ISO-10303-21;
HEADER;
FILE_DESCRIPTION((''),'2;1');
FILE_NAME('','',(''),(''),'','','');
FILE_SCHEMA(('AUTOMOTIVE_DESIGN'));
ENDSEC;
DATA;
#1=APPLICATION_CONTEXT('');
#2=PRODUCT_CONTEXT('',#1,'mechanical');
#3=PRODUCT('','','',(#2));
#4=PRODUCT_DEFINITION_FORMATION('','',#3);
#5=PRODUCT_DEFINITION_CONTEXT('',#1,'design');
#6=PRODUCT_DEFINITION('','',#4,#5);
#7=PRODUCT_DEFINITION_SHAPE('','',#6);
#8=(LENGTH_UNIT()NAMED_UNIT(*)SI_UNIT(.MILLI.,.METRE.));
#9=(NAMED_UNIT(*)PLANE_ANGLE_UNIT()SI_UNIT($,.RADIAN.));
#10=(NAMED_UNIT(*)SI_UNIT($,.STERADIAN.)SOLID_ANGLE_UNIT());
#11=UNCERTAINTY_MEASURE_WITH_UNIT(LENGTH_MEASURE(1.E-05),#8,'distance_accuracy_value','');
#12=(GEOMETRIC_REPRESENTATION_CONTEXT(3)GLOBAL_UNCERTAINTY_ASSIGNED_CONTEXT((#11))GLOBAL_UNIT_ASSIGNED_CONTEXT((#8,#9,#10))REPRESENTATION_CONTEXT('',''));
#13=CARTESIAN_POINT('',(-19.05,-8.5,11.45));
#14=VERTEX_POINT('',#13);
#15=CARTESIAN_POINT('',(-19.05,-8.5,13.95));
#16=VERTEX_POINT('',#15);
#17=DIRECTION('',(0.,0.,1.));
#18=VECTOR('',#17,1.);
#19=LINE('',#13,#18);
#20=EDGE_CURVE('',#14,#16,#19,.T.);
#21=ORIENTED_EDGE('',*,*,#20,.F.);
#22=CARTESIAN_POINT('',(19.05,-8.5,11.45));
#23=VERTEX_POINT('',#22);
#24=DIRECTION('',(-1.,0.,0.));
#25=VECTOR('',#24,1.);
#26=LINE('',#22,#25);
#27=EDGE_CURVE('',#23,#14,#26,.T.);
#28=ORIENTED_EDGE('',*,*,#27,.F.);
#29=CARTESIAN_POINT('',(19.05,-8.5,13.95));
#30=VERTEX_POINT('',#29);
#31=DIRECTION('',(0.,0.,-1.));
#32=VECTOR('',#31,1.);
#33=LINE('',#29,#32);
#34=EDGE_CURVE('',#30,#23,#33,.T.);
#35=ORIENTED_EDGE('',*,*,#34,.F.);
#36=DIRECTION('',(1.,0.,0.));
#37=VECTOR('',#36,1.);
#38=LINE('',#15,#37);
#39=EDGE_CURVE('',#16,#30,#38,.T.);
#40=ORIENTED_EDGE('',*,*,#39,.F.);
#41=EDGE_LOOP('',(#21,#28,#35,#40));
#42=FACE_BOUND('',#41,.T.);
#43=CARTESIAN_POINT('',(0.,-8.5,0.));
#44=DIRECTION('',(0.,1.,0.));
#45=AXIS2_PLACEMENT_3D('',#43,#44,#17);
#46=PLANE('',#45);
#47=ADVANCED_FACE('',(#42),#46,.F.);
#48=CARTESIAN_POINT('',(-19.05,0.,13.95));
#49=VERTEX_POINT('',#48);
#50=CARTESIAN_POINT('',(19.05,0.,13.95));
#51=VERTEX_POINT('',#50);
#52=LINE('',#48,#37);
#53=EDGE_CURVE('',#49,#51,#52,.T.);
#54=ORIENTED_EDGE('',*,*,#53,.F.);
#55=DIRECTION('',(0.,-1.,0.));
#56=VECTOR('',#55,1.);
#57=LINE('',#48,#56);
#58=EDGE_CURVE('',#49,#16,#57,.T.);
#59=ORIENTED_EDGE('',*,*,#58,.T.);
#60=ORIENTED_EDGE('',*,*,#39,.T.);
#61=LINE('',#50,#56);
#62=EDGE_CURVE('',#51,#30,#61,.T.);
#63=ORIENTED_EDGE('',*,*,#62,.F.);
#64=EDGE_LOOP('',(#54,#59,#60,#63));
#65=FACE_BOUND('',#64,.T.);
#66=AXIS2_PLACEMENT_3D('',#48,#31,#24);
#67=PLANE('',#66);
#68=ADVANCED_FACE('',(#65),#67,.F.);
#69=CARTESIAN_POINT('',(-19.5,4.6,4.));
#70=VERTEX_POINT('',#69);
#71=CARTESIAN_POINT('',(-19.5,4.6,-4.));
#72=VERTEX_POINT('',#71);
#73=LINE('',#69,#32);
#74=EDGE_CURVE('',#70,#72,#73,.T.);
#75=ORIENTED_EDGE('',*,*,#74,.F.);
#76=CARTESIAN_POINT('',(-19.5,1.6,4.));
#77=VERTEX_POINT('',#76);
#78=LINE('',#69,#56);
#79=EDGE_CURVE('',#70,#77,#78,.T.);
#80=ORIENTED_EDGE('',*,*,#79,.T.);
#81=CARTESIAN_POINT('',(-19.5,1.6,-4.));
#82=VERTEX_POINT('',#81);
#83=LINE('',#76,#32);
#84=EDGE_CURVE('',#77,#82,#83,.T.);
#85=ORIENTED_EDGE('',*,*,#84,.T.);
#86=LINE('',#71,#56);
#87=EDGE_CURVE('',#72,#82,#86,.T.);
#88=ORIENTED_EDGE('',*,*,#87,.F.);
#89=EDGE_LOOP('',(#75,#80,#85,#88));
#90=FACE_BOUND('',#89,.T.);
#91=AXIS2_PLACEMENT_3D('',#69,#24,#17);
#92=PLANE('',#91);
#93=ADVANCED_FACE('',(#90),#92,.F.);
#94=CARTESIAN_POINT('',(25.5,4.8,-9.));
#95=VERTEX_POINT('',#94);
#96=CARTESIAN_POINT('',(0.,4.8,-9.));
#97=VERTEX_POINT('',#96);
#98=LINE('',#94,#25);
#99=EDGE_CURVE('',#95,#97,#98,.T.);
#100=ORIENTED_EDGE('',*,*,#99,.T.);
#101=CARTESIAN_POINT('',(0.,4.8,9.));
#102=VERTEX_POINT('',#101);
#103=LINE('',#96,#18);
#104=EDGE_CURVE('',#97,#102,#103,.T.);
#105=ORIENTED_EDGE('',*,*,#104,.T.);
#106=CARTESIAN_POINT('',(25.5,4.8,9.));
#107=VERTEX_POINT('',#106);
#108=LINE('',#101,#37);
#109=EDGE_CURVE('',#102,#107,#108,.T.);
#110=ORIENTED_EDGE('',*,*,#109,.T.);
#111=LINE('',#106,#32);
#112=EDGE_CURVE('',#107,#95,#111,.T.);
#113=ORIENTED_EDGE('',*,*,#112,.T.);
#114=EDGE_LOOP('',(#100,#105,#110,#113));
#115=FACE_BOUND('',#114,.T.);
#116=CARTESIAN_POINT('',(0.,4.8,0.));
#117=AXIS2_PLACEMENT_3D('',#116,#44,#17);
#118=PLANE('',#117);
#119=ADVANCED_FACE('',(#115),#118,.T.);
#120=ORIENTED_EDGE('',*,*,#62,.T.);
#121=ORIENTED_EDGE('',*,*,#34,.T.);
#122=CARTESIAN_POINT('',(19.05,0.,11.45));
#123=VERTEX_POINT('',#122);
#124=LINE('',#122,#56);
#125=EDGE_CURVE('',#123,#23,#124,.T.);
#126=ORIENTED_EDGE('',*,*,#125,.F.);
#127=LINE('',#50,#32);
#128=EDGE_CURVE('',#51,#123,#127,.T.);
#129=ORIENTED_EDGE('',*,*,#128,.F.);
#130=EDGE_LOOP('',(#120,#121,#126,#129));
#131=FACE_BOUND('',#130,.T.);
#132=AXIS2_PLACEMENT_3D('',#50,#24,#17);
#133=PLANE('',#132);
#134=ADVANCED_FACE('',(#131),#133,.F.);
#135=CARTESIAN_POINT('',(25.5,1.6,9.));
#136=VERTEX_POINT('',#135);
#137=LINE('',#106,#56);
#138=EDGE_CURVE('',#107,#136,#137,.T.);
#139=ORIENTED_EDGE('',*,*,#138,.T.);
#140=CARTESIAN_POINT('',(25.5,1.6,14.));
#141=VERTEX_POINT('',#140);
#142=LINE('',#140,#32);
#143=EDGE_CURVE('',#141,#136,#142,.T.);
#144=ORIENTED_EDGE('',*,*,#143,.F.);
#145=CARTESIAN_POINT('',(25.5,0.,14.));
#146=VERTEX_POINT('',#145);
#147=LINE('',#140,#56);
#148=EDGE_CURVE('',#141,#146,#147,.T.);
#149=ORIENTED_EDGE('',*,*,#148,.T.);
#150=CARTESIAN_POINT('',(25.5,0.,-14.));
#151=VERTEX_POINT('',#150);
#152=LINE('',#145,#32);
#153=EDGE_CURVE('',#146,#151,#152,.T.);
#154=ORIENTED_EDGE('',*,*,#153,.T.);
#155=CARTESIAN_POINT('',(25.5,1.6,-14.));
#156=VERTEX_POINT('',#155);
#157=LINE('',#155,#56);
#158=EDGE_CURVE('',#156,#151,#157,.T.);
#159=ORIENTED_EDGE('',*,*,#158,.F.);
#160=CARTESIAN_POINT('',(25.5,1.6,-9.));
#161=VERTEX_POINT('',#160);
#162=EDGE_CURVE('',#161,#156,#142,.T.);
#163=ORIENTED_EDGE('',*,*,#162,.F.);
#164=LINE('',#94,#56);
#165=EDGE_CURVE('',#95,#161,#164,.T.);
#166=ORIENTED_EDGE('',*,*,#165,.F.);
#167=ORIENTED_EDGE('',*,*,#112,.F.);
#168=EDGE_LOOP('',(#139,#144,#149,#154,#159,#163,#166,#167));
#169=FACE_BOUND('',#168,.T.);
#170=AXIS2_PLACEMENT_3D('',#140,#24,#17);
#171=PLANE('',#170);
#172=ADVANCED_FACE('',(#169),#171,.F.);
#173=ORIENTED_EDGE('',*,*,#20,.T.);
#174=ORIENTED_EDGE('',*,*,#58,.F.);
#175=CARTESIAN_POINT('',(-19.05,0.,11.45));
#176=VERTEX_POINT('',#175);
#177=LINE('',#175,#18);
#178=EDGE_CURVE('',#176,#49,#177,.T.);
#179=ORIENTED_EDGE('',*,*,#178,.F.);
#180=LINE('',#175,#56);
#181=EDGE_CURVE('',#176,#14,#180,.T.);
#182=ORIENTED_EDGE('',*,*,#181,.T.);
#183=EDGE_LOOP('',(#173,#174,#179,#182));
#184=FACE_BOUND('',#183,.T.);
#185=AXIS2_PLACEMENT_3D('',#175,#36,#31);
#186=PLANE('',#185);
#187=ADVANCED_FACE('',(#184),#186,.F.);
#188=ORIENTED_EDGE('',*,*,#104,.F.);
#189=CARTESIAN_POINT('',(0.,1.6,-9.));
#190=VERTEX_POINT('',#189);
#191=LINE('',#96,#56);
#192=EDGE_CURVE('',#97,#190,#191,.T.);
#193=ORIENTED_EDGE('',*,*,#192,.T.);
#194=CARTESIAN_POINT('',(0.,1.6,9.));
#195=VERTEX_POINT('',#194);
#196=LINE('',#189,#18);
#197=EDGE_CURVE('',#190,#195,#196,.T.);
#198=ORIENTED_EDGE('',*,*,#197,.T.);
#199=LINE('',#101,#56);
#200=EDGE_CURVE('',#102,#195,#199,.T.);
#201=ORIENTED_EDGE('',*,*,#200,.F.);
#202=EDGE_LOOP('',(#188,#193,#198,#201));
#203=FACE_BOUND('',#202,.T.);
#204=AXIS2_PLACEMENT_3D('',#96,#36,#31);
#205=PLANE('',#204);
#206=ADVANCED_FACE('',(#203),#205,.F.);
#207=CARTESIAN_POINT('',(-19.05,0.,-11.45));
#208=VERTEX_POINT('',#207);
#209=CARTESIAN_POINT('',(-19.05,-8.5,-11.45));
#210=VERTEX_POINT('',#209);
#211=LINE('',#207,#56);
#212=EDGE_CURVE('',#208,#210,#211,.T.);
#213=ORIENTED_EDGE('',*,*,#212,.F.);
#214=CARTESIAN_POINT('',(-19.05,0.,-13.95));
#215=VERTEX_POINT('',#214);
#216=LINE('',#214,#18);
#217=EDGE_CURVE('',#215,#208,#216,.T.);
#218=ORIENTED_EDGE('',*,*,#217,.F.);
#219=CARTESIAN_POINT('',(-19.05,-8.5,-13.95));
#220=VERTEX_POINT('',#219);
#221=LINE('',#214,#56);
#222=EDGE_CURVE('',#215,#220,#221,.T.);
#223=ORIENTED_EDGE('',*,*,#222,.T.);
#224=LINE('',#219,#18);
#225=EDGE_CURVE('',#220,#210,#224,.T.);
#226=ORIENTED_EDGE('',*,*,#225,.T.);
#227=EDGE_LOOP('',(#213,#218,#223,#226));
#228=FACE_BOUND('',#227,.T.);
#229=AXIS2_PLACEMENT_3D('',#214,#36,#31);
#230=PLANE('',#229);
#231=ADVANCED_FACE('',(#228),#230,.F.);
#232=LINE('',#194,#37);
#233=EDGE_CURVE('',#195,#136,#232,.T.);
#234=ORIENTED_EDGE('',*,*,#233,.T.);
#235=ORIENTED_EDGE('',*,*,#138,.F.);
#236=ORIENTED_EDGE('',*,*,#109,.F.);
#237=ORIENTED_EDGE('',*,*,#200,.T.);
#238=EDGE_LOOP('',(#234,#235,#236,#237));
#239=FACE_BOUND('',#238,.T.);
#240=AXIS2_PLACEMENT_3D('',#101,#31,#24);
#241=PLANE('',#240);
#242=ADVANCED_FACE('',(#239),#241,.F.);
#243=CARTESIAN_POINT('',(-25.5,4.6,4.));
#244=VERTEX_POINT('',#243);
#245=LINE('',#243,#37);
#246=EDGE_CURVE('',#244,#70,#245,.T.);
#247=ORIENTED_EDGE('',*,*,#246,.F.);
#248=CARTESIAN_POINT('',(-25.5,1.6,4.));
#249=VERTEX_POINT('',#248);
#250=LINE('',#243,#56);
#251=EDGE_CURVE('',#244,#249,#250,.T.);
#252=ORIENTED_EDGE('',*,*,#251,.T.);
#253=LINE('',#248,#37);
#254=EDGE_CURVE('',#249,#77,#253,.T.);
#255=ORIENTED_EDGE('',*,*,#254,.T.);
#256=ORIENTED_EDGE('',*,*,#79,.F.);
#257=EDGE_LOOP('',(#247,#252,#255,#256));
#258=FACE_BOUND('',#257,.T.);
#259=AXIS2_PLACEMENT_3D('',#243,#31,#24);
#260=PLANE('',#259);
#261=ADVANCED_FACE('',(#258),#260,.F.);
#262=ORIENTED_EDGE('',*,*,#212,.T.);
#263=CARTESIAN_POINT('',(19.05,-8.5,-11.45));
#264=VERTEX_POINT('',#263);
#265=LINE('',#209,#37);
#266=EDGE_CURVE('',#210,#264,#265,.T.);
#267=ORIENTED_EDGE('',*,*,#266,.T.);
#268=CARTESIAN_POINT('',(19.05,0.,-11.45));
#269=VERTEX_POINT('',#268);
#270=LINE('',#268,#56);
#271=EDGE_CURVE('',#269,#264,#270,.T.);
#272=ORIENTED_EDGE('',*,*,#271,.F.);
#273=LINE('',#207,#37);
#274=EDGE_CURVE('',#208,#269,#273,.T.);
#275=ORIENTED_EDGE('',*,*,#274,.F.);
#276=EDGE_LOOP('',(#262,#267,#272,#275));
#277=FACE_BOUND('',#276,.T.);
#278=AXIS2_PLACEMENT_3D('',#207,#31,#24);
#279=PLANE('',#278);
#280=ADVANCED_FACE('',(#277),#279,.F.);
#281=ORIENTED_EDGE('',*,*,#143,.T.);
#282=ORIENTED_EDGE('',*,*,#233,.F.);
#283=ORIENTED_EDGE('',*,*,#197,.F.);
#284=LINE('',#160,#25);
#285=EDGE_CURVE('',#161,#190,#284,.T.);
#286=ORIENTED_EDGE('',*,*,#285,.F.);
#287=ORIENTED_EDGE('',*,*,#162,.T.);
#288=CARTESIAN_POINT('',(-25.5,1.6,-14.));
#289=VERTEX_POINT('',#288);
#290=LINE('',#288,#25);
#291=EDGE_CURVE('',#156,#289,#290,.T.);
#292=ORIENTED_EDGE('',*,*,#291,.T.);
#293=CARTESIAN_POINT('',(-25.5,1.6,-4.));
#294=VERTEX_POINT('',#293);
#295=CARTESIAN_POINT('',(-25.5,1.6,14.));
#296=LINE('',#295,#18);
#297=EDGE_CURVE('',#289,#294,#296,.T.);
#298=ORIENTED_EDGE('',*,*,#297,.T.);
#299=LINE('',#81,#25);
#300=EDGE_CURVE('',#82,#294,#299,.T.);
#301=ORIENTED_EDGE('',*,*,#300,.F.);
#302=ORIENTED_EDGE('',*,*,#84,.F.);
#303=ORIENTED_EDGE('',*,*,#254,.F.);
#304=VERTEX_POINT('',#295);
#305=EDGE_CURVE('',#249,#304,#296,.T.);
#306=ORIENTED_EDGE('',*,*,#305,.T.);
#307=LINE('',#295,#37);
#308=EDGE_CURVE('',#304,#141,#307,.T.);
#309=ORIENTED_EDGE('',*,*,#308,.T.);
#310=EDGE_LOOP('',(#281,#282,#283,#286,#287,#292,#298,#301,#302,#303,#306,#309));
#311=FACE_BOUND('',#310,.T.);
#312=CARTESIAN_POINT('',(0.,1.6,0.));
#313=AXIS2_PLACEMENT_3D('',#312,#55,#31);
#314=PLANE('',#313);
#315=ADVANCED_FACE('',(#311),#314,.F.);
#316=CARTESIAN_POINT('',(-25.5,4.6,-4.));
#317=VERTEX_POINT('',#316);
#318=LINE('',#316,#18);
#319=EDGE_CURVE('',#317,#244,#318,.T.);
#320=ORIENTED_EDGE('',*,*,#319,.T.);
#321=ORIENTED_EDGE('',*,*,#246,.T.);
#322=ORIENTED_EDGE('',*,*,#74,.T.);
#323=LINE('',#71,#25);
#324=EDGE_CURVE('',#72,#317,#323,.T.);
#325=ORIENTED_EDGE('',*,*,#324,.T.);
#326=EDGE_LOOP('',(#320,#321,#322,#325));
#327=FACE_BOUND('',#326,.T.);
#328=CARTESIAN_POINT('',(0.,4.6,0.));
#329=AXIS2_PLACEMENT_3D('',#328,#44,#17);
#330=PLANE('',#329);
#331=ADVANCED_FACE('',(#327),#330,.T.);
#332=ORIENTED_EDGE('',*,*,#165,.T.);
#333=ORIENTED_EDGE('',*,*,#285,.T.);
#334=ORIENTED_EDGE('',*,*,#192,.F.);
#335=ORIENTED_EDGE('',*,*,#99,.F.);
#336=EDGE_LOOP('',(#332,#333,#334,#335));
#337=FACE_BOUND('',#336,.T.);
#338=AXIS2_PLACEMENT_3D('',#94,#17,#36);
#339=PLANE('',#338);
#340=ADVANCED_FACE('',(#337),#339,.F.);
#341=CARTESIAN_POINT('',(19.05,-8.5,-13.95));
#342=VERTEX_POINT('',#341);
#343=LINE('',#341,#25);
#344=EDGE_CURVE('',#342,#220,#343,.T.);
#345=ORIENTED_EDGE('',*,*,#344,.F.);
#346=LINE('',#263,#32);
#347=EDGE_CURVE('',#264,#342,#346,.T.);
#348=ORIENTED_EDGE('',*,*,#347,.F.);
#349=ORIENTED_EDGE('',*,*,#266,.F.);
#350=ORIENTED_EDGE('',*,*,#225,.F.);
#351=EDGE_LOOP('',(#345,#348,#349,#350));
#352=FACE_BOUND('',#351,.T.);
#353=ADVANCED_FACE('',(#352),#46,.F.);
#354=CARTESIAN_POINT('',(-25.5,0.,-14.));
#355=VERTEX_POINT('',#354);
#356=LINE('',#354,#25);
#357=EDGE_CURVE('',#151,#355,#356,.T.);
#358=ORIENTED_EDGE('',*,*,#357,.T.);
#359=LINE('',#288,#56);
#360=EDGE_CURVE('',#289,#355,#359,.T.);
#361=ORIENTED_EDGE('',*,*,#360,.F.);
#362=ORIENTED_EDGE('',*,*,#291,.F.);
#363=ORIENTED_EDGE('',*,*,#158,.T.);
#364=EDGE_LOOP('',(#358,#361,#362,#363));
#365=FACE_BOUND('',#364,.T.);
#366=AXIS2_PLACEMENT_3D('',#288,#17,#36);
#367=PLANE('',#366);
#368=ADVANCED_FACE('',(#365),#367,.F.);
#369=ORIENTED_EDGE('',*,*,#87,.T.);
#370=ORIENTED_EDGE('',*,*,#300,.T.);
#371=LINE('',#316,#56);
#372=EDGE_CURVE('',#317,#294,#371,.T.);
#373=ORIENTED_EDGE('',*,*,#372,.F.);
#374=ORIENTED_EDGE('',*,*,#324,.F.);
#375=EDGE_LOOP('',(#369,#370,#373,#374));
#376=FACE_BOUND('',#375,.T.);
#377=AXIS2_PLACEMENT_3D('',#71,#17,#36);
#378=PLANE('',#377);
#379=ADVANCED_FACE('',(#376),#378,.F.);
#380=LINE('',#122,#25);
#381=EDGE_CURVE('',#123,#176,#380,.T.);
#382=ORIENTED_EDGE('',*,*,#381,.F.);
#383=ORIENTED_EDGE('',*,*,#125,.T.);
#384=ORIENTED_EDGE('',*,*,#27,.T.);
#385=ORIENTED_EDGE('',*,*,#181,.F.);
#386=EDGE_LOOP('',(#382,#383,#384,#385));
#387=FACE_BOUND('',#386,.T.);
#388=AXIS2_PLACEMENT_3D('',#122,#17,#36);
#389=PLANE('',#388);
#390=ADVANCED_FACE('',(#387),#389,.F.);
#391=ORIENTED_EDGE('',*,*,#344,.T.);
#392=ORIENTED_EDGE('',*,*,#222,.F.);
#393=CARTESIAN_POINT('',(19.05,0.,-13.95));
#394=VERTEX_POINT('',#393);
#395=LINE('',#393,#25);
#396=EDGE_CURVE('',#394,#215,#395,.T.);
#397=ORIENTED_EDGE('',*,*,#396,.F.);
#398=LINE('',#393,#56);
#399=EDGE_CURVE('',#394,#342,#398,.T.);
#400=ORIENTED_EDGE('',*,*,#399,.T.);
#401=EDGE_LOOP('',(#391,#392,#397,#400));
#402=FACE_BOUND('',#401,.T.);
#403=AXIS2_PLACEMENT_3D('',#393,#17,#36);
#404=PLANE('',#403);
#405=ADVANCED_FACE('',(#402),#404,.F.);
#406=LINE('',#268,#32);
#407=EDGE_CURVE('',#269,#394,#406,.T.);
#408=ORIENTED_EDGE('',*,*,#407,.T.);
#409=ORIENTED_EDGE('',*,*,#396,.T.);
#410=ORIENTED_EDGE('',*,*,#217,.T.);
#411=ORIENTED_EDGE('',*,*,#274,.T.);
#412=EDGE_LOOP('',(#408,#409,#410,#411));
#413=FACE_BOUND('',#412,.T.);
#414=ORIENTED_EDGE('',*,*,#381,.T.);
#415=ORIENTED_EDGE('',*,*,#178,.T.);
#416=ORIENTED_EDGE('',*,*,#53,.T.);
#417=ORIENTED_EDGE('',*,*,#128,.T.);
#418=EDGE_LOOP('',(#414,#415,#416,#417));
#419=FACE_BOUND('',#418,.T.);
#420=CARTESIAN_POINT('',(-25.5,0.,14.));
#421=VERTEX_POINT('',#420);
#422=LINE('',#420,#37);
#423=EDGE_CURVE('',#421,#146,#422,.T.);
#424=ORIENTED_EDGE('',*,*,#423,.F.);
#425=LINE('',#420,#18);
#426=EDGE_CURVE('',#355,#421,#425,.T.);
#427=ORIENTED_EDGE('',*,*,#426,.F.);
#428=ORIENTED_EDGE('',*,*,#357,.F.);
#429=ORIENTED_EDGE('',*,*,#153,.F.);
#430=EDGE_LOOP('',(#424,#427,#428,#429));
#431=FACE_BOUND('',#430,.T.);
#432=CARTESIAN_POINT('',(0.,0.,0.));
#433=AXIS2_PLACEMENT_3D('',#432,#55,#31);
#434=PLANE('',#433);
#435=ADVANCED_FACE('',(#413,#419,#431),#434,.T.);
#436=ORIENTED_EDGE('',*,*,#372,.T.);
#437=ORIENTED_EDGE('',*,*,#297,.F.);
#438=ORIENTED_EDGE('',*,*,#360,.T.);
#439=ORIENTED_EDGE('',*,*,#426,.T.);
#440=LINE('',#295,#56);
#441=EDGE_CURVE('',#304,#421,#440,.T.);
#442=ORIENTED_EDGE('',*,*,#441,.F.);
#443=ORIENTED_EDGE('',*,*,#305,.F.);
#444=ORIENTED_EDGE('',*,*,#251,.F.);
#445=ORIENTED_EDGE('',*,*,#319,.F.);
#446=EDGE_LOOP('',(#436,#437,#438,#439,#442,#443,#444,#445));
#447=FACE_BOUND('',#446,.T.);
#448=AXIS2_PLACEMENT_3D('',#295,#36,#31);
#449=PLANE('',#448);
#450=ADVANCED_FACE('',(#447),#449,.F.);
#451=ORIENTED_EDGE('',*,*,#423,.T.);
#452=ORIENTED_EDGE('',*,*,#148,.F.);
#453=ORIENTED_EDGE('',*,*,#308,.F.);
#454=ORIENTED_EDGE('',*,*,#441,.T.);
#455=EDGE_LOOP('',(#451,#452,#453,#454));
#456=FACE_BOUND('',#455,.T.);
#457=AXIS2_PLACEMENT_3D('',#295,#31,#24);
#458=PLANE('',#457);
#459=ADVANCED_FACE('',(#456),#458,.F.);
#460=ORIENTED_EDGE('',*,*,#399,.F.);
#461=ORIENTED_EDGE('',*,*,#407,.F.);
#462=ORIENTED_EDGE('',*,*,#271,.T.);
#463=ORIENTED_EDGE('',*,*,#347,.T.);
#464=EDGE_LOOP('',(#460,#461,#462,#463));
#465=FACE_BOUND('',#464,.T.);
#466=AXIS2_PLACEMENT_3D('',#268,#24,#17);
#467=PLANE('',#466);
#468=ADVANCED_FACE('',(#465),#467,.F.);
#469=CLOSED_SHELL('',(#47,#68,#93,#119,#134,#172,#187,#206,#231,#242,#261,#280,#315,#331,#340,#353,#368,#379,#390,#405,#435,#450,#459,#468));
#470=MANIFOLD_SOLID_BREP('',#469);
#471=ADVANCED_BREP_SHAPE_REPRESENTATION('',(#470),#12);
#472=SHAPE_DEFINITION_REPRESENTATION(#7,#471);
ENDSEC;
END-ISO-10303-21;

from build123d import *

# Parameters (mm, degrees)
SKETCH1_W          = 51
SKETCH1_H          = 28
BOARD_DEPTH        = 1.6
WROOM_MODULE_START = 1.6
SKETCH2_W          = 25.5
SKETCH2_H          = 18
WROOM_MODULE_DEPTH = 3.2
MICRO_USB_START    = 1.6
SKETCH3_W          = 6
SKETCH3_H          = 8
MICRO_USB_DEPTH    = 3
HEADER_A_START     = -8.5
SKETCH4_W          = 38.1
SKETCH4_H          = 2.5
HEADER_A_DEPTH     = 8.5
HEADER_B_START     = -8.5
SKETCH5_W          = 38.1
SKETCH5_H          = 2.5
HEADER_B_DEPTH     = 8.5


with BuildPart() as part:
    # Sketch1 → Board (new body)
    with BuildSketch(Plane(origin=(0, 0, 0), x_dir=(1, 0, 0), z_dir=(0, 1, 0))):
        Rectangle(SKETCH1_W, SKETCH1_H)
    extrude(amount=BOARD_DEPTH)

    # Sketch2 → WROOM_Module (add)
    with BuildSketch(Plane(origin=(0, 0, 0), x_dir=(1, 0, 0), z_dir=(0, 1, 0)).offset(WROOM_MODULE_START)):
        with Locations((12.75, 0)):
            Rectangle(SKETCH2_W, SKETCH2_H)
    extrude(amount=WROOM_MODULE_DEPTH)

    # Sketch3 → Micro_USB (add)
    with BuildSketch(Plane(origin=(0, 0, 0), x_dir=(1, 0, 0), z_dir=(0, 1, 0)).offset(MICRO_USB_START)):
        with Locations((-22.5, 0)):
            Rectangle(SKETCH3_W, SKETCH3_H)
    extrude(amount=MICRO_USB_DEPTH)

    # Sketch4 → Header_A (add)
    with BuildSketch(Plane(origin=(0, 0, 0), x_dir=(1, 0, 0), z_dir=(0, 1, 0)).offset(HEADER_A_START)):
        with Locations((0, 12.7)):
            Rectangle(SKETCH4_W, SKETCH4_H)
    extrude(amount=HEADER_A_DEPTH)

    # Sketch5 → Header_B (add)
    with BuildSketch(Plane(origin=(0, 0, 0), x_dir=(1, 0, 0), z_dir=(0, 1, 0)).offset(HEADER_B_START)):
        with Locations((0, -12.7)):
            Rectangle(SKETCH5_W, SKETCH5_H)
    extrude(amount=HEADER_B_DEPTH)


solid = part.part
